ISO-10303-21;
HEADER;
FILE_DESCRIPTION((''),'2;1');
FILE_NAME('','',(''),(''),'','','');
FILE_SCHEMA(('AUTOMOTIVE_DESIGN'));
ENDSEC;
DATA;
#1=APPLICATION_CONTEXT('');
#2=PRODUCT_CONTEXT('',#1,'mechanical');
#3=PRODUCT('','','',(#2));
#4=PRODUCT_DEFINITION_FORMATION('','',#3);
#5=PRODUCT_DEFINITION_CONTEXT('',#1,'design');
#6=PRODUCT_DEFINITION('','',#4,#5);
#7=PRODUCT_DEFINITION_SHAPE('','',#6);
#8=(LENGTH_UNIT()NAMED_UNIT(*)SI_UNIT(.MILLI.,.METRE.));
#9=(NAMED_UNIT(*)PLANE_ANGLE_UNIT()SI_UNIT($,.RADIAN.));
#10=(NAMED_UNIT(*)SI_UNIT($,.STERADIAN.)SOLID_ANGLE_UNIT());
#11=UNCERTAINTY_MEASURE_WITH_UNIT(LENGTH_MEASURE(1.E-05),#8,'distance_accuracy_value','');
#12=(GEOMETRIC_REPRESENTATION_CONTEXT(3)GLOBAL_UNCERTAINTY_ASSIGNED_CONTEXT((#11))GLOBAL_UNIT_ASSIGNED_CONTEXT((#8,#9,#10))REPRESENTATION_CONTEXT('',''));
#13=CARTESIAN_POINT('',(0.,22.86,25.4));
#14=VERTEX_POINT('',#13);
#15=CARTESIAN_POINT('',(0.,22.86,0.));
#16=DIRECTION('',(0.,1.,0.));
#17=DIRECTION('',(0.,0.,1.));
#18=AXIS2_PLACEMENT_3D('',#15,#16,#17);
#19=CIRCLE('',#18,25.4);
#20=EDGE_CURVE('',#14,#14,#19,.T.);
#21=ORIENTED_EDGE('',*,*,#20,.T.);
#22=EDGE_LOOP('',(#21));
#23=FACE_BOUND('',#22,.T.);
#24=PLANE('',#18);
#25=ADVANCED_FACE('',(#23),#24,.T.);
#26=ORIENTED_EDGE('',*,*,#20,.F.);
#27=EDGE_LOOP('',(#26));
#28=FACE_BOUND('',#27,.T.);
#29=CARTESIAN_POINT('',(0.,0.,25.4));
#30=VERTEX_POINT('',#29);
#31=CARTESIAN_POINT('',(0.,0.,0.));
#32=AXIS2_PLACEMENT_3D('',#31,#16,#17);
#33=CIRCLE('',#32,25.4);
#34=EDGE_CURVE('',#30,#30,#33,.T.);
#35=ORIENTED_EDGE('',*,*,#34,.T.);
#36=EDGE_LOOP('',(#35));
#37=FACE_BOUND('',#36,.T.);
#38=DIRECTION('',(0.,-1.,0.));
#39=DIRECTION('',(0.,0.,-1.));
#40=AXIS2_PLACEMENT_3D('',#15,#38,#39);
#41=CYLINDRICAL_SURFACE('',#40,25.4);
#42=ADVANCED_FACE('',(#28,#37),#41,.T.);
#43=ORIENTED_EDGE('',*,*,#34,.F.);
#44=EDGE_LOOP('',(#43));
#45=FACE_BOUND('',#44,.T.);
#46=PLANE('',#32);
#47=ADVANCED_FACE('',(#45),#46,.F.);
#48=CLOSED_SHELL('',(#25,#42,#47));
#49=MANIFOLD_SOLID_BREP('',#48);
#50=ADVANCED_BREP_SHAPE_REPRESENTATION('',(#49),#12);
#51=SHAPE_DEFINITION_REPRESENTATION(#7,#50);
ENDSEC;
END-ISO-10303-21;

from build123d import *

# Parameters (mm, degrees)
SKETCH1_R           = 25.4
BOSS_EXTRUDE1_DEPTH = 22.86


with BuildPart() as part:
    # Sketch1 → Boss-Extrude1 (new body)
    with BuildSketch(Plane(origin=(0, 0, 0), x_dir=(1, 0, 0), z_dir=(0, 1, 0))):
        Circle(SKETCH1_R)
    extrude(amount=BOSS_EXTRUDE1_DEPTH)


solid = part.part
